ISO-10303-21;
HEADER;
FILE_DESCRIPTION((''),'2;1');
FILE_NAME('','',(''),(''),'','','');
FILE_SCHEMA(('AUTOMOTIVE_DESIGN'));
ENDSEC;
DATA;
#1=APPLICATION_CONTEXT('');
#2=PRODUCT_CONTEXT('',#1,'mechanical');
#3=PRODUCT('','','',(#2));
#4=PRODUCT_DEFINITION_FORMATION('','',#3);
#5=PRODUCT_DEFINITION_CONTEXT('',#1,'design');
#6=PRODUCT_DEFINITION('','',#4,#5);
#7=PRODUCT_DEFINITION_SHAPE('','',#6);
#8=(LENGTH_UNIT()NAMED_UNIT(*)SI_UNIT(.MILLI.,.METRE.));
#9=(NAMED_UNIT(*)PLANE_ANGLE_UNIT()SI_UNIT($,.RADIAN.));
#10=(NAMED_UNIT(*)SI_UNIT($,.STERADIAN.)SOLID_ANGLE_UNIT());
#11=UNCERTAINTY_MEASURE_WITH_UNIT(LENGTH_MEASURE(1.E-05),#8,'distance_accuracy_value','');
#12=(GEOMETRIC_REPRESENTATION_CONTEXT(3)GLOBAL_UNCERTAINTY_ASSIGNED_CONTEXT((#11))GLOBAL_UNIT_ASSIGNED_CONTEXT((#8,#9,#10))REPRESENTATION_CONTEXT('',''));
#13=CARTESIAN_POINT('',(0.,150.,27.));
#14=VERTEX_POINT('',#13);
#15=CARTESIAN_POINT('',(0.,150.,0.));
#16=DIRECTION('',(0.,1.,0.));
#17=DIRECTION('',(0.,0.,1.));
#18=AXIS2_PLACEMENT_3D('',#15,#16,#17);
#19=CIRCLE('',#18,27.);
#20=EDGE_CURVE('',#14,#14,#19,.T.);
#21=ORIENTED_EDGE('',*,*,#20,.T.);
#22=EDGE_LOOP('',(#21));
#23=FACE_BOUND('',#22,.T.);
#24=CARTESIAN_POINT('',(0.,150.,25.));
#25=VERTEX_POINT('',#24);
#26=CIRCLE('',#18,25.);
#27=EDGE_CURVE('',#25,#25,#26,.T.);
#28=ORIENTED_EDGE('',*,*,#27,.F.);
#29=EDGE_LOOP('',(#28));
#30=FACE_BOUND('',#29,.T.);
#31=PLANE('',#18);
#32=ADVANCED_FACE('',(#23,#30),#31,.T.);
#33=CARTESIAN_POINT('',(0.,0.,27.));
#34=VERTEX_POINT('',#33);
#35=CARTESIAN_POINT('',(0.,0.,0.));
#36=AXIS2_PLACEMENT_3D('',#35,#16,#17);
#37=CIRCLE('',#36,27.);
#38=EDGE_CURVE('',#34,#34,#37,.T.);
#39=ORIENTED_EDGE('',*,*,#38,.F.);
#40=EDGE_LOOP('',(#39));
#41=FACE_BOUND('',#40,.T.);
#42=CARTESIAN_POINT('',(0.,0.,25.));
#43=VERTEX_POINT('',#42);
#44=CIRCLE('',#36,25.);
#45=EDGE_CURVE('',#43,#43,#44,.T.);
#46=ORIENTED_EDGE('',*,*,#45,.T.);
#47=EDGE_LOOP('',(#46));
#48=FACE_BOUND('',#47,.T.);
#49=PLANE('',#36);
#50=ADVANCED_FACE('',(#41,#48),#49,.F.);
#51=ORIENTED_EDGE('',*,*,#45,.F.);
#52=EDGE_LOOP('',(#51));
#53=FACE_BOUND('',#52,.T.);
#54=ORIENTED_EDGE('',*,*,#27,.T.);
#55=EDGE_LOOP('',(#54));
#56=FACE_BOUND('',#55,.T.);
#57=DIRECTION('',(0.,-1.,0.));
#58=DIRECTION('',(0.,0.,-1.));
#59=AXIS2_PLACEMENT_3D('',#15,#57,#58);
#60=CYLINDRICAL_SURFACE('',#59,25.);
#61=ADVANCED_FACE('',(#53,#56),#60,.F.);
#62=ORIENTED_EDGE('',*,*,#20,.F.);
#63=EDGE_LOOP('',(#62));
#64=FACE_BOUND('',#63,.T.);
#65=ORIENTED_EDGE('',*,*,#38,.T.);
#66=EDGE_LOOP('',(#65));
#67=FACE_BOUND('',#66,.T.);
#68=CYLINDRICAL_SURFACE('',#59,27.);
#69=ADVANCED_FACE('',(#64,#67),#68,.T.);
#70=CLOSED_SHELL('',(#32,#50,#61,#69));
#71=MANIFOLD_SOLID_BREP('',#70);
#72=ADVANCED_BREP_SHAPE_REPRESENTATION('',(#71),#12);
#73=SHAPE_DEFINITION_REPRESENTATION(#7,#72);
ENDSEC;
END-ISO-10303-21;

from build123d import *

# Parameters (mm, degrees)
SKETCH1_R           = 27
SKETCH1_R_2         = 25
BOSS_EXTRUDE1_DEPTH = 150


with BuildPart() as part:
    # Sketch1 → Boss-Extrude1 (new body)
    with BuildSketch(Plane(origin=(0, 0, 0), x_dir=(1, 0, 0), z_dir=(0, 1, 0))):
        Circle(SKETCH1_R)
        Circle(SKETCH1_R_2, mode=Mode.SUBTRACT)
    extrude(amount=BOSS_EXTRUDE1_DEPTH)


solid = part.part
